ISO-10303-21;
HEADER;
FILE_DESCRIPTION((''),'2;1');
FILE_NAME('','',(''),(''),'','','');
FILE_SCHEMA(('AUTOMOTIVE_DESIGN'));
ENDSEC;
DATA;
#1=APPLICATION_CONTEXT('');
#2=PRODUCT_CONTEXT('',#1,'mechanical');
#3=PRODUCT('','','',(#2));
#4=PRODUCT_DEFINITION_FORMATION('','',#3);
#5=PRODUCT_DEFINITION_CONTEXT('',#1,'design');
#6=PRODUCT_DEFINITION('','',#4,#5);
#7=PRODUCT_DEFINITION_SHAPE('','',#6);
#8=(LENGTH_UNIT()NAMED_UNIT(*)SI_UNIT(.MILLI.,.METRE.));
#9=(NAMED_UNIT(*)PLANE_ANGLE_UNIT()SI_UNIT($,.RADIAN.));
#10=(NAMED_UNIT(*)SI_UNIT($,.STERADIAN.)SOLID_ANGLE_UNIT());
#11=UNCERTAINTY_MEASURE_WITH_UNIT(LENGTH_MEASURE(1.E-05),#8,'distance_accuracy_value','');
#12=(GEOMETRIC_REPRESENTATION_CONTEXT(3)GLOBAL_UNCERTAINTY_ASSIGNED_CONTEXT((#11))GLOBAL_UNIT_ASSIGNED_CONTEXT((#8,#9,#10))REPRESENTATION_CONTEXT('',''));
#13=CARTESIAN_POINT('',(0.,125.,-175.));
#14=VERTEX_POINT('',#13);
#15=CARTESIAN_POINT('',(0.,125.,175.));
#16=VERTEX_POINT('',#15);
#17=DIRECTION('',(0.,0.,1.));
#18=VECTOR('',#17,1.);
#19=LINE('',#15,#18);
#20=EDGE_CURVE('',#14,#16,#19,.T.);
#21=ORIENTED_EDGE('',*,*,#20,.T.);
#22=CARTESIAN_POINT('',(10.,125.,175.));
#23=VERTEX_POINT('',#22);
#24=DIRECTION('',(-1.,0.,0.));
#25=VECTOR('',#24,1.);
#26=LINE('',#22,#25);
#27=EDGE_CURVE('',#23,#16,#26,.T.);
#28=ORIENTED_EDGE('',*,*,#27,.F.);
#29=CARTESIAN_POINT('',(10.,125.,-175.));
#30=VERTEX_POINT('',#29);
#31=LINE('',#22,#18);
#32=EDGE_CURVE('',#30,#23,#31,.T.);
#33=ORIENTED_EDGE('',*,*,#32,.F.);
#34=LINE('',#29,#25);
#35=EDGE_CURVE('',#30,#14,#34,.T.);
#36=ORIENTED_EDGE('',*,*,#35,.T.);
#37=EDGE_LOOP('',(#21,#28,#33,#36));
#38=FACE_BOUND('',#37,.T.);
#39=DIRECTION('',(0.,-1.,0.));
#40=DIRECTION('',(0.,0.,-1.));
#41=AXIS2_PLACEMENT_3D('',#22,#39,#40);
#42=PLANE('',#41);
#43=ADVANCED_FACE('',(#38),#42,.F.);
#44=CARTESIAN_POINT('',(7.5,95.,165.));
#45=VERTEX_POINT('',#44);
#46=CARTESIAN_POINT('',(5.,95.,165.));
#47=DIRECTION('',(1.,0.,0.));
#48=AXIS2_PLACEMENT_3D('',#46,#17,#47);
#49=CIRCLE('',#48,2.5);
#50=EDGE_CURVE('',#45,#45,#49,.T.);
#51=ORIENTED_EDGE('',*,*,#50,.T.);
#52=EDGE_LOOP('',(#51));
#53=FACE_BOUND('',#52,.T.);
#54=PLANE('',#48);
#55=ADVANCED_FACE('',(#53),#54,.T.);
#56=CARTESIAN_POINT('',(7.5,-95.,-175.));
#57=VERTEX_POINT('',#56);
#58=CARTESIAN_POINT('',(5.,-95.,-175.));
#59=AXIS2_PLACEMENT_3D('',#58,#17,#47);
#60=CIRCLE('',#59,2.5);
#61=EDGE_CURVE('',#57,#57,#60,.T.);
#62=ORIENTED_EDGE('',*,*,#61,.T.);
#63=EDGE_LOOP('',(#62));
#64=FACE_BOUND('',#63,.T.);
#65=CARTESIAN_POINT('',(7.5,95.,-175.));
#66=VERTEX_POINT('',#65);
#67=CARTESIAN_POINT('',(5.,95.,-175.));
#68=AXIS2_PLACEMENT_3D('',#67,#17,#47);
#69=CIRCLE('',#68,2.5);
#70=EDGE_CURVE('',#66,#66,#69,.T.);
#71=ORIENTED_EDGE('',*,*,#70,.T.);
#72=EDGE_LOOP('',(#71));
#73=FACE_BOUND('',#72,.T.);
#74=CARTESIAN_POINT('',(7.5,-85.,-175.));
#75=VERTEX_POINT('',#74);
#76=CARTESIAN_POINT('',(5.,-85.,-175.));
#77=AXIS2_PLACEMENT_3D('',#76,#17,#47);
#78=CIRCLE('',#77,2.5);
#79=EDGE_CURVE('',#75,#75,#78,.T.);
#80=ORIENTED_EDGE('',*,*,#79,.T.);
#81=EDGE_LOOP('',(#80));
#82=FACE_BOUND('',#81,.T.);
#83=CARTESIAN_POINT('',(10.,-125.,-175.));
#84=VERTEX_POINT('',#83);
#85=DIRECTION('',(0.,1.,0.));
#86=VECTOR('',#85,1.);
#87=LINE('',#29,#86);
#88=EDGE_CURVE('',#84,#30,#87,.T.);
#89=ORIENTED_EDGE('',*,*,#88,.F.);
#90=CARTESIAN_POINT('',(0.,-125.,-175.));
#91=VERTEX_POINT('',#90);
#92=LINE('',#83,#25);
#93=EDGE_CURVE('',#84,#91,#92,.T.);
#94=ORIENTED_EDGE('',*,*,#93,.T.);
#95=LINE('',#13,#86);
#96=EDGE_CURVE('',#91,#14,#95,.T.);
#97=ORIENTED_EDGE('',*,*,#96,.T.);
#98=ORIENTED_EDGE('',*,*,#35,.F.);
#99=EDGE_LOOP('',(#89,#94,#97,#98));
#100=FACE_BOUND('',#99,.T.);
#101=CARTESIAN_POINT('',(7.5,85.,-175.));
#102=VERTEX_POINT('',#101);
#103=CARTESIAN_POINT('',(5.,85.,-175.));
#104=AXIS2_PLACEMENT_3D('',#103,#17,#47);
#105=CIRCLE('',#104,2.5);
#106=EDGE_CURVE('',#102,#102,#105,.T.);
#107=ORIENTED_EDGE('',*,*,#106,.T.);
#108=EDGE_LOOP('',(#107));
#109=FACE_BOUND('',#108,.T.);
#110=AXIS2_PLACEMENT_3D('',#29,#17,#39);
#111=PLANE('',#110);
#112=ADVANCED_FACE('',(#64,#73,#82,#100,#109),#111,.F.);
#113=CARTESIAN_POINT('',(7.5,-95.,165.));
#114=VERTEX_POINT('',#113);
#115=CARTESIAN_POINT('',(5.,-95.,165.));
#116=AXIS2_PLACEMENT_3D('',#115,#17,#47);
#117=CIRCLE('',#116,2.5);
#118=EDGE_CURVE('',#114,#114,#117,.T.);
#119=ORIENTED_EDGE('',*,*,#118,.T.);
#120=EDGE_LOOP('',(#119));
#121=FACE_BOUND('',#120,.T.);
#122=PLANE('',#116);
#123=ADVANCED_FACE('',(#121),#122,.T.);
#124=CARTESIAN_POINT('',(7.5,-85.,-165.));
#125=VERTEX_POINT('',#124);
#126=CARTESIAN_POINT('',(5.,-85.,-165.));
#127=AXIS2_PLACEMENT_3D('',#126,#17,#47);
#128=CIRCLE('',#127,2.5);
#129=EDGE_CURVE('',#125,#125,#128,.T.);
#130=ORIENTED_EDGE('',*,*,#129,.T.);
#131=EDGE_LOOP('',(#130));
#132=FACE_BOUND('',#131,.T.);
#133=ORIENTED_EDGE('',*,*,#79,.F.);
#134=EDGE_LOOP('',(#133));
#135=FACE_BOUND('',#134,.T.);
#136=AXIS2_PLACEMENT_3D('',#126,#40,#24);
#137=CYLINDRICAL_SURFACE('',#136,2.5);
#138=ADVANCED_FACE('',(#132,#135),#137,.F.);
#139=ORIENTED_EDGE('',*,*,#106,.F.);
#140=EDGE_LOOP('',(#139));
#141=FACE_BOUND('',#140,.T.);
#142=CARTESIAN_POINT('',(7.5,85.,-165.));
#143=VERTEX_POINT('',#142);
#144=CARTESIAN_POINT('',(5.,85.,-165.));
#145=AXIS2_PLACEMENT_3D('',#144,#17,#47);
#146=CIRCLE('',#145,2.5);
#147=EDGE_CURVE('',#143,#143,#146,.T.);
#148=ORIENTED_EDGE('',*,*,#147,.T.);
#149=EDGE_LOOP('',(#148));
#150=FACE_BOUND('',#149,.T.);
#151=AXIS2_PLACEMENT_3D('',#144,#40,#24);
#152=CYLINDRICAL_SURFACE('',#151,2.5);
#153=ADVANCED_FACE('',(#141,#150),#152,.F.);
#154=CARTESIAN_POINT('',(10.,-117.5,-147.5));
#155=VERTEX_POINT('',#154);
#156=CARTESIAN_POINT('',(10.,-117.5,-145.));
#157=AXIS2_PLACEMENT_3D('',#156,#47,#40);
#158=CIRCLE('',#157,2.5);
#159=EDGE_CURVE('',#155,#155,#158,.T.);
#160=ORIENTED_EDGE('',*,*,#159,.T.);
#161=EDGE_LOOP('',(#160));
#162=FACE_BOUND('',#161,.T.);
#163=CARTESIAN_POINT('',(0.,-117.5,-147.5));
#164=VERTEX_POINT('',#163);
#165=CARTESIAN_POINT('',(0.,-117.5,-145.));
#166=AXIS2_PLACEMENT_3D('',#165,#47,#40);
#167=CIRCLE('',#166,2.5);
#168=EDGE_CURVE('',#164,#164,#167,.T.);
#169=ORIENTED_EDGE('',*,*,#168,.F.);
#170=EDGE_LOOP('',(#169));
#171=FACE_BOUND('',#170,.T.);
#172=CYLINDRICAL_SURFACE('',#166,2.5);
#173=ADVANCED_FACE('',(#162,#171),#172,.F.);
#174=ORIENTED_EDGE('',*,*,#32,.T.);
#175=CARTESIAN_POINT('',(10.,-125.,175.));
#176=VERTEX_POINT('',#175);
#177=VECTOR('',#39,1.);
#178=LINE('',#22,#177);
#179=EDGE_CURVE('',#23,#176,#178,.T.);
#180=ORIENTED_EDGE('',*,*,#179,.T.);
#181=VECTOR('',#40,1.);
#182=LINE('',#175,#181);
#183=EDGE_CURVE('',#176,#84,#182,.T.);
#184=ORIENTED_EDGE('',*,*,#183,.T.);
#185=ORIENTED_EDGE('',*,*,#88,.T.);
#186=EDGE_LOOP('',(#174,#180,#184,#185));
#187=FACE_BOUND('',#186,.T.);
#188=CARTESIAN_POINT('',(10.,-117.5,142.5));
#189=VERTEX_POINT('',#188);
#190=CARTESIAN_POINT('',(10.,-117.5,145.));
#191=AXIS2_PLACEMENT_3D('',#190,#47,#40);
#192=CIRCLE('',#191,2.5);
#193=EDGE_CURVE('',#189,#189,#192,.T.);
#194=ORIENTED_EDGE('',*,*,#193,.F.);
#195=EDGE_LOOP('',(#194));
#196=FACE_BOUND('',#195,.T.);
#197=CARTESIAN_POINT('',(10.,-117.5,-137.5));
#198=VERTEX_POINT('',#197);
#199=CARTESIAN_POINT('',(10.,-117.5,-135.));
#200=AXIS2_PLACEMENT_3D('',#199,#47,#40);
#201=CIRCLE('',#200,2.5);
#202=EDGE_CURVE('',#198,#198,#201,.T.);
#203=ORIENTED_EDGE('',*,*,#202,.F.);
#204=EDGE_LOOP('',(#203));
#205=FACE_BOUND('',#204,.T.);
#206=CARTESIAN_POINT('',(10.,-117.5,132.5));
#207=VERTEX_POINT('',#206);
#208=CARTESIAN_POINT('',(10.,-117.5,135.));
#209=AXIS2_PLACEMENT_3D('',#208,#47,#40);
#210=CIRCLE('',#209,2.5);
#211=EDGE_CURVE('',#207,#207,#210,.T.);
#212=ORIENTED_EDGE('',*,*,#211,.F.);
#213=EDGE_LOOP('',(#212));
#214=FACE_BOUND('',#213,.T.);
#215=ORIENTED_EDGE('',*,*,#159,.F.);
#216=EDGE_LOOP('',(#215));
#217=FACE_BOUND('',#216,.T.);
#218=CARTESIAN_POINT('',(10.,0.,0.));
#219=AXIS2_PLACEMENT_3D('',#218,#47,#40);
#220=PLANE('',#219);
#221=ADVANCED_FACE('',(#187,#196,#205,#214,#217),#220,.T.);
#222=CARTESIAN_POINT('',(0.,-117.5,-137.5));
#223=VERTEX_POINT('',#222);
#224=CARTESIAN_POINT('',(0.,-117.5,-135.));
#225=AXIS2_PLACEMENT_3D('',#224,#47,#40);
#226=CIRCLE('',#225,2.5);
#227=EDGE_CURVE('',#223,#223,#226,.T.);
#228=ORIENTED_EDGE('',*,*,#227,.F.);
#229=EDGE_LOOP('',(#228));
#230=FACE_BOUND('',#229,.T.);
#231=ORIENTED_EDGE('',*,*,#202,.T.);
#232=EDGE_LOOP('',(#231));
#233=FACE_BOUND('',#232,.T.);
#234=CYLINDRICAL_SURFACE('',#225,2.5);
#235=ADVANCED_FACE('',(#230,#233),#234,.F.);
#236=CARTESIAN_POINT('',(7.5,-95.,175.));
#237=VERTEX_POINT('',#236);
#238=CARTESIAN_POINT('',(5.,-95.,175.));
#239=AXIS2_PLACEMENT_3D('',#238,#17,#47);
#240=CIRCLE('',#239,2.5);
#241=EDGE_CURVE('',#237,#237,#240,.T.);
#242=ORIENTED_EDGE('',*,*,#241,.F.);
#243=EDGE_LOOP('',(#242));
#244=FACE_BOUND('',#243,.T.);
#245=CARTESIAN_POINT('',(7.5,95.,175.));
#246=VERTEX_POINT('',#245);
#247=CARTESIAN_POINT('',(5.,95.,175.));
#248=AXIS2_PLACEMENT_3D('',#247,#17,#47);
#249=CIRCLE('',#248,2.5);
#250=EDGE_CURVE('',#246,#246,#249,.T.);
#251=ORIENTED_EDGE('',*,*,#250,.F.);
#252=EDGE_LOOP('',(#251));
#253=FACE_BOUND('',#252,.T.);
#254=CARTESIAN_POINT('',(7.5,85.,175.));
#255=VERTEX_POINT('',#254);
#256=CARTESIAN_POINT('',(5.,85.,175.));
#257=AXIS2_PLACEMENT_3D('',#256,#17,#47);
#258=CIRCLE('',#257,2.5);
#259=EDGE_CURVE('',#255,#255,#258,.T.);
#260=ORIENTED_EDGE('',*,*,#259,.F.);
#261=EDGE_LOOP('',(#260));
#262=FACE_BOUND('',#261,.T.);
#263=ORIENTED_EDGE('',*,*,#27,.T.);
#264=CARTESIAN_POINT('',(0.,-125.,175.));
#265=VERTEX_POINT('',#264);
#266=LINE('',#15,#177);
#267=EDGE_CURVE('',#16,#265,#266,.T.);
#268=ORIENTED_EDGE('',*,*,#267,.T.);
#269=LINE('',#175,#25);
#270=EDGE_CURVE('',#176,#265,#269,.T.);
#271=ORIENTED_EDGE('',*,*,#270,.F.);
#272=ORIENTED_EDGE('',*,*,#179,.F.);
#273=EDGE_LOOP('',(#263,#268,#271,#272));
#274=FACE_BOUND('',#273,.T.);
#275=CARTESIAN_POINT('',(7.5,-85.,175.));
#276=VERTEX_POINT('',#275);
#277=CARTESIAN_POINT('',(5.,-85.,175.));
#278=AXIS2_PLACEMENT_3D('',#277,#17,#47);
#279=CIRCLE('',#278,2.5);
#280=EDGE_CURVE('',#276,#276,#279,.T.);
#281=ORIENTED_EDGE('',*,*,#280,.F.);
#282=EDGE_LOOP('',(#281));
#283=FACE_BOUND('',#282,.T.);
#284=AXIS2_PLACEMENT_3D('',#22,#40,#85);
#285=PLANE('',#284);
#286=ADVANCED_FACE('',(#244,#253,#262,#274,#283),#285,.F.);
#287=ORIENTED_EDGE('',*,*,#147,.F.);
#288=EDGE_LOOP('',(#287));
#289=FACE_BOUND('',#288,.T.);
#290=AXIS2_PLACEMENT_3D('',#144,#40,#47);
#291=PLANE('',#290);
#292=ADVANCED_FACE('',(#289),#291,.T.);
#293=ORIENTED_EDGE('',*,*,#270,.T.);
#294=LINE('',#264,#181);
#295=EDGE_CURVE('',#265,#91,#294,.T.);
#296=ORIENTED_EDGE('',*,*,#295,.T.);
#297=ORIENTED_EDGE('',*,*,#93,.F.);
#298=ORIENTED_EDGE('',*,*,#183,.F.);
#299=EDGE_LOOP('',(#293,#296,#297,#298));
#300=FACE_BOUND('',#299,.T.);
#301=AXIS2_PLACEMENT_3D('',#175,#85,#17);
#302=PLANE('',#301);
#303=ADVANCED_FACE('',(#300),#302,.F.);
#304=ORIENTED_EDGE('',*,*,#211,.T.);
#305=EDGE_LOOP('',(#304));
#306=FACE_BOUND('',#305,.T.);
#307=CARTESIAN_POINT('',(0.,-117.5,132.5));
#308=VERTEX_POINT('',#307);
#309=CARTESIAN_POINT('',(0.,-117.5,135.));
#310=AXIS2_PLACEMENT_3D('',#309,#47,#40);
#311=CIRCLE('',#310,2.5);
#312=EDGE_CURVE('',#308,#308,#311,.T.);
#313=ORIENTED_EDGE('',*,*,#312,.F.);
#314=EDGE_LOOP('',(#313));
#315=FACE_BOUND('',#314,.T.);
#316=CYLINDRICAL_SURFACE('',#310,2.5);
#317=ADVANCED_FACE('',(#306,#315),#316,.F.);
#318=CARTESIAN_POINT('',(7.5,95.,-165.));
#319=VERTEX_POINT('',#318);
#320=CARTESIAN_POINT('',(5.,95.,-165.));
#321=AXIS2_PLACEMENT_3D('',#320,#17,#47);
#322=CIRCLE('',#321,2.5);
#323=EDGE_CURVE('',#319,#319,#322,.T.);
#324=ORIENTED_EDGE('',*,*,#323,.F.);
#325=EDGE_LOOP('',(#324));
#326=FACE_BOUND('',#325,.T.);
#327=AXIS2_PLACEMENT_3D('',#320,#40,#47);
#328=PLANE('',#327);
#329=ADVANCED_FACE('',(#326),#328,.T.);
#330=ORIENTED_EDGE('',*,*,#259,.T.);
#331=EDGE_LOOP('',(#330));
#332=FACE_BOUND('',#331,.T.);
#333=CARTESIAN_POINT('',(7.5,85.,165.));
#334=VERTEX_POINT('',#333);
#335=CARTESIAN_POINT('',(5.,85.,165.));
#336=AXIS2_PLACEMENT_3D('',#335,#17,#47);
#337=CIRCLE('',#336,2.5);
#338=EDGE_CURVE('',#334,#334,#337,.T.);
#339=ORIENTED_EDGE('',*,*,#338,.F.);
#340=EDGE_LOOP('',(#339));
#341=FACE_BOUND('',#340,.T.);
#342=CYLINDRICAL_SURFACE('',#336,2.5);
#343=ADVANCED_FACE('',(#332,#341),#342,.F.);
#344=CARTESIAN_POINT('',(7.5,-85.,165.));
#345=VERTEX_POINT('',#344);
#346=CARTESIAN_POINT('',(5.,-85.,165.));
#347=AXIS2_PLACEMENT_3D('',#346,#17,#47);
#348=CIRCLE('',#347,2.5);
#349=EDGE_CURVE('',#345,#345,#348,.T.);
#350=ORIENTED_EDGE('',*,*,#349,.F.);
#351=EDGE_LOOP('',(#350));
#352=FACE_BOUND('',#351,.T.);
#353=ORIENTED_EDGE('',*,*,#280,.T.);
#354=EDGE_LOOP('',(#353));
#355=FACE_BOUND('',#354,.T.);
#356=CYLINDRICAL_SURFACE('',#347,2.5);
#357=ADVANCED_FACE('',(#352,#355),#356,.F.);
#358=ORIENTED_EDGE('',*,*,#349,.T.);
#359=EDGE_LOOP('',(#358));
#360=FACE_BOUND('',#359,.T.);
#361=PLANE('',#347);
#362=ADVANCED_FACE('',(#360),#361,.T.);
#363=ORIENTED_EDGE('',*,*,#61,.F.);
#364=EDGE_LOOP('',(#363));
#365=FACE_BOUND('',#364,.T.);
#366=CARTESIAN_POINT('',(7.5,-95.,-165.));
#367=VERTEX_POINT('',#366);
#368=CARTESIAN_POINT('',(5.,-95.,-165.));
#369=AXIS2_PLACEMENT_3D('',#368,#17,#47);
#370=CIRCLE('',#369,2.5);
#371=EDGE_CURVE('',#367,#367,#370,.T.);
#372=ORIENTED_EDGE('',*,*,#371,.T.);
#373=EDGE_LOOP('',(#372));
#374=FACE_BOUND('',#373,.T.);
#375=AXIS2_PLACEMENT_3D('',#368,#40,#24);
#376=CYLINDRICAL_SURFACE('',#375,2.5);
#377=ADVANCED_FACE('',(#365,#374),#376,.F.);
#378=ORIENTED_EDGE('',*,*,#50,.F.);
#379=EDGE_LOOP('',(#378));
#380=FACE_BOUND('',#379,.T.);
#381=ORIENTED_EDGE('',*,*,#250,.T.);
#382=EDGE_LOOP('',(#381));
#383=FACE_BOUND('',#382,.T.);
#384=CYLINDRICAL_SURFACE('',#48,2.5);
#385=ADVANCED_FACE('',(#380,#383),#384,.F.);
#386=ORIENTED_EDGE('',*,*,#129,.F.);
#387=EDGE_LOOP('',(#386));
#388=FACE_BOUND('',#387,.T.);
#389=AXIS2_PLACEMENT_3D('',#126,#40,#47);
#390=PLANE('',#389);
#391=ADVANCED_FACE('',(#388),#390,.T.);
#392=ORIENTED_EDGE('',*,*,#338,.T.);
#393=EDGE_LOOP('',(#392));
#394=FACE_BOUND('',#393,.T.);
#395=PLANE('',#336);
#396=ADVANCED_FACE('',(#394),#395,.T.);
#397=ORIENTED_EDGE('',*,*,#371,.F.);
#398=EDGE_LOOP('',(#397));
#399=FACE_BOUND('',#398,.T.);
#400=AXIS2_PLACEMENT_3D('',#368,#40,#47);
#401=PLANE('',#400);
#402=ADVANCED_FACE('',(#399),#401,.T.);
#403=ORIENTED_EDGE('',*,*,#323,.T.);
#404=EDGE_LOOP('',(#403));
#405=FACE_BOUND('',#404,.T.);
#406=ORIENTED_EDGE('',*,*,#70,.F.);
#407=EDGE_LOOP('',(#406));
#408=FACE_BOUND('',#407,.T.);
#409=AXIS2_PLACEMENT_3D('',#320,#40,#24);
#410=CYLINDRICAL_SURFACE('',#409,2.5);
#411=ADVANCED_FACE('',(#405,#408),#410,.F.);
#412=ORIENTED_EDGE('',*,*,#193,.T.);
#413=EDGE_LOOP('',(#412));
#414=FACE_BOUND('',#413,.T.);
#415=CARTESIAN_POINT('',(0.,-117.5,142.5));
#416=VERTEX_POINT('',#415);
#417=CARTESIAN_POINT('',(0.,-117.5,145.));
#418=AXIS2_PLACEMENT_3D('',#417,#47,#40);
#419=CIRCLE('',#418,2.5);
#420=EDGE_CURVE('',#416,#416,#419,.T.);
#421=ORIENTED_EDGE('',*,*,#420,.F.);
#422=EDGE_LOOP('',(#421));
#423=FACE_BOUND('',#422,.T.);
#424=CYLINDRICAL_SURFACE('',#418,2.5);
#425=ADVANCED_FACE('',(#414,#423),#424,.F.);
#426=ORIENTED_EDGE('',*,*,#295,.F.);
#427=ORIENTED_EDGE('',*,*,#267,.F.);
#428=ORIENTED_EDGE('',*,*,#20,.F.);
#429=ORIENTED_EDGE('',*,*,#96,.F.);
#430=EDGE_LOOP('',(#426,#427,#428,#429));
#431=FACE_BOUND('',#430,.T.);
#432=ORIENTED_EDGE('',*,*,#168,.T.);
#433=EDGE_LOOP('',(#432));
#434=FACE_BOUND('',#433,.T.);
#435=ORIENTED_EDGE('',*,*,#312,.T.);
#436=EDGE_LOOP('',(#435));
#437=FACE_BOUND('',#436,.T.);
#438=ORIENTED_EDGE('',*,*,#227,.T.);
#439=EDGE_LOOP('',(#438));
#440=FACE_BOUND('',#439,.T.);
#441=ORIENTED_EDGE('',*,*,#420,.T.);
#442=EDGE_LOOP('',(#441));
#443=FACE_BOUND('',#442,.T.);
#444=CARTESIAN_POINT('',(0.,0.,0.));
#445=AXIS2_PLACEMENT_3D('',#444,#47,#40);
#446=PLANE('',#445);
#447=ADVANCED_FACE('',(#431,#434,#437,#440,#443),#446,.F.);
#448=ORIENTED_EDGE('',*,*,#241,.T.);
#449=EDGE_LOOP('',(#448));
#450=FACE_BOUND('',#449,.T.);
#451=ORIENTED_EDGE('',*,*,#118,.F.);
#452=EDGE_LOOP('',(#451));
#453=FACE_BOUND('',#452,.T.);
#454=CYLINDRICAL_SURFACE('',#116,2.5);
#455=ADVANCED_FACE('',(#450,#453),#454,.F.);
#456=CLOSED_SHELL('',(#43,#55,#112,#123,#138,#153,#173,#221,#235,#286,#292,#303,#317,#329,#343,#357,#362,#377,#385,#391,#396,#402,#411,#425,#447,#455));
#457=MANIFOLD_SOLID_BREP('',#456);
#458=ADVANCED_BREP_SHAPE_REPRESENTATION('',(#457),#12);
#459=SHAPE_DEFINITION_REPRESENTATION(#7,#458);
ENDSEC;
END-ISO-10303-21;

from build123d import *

# Parameters (mm, degrees)
SKETCH1_W           = 350
SKETCH1_H           = 250
BOSS_EXTRUDE1_DEPTH = 10
SKETCH2_R           = 2.5
CUT_EXTRUDE1_DEPTH  = 10
SKETCH3_R           = 2.5
CUT_EXTRUDE2_DEPTH  = 216.290501416


with BuildPart() as part:
    # Sketch1 → Boss-Extrude1 (new body)
    with BuildSketch(Plane(origin=(0, 0, 0), x_dir=(0, 0, -1), z_dir=(1, 0, 0))):
        Rectangle(SKETCH1_W, SKETCH1_H)
    extrude(amount=BOSS_EXTRUDE1_DEPTH)

    # Sketch2 → Cut-Extrude1 (cut)
    with BuildSketch(Plane.XY.offset(175)):
        with Locations((5, 95)):
            Circle(SKETCH2_R)
        with Locations((5, 85)):
            Circle(SKETCH2_R)
        with Locations((5, -85)):
            Circle(SKETCH2_R)
        with Locations((5, -95)):
            Circle(SKETCH2_R)
    cut_extrude1 = extrude(amount=-CUT_EXTRUDE1_DEPTH, mode=Mode.SUBTRACT)

    # Mirror1: Cut-Extrude1 across plane
    add(cut_extrude1.mirror(Plane.XY), mode=Mode.SUBTRACT)

    # Sketch3 → Cut-Extrude2 (cut, through all)
    with BuildSketch(Plane(origin=(10, 0, 0), x_dir=(0, 0, -1), z_dir=(1, 0, 0))):
        with Locations((-145, -117.5)):
            Circle(SKETCH3_R)
        with Locations((-135, -117.5)):
            Circle(SKETCH3_R)
        with Locations((135, -117.5)):
            Circle(SKETCH3_R)
        with Locations((145, -117.5)):
            Circle(SKETCH3_R)
    extrude(amount=-CUT_EXTRUDE2_DEPTH, mode=Mode.SUBTRACT)


solid = part.part
